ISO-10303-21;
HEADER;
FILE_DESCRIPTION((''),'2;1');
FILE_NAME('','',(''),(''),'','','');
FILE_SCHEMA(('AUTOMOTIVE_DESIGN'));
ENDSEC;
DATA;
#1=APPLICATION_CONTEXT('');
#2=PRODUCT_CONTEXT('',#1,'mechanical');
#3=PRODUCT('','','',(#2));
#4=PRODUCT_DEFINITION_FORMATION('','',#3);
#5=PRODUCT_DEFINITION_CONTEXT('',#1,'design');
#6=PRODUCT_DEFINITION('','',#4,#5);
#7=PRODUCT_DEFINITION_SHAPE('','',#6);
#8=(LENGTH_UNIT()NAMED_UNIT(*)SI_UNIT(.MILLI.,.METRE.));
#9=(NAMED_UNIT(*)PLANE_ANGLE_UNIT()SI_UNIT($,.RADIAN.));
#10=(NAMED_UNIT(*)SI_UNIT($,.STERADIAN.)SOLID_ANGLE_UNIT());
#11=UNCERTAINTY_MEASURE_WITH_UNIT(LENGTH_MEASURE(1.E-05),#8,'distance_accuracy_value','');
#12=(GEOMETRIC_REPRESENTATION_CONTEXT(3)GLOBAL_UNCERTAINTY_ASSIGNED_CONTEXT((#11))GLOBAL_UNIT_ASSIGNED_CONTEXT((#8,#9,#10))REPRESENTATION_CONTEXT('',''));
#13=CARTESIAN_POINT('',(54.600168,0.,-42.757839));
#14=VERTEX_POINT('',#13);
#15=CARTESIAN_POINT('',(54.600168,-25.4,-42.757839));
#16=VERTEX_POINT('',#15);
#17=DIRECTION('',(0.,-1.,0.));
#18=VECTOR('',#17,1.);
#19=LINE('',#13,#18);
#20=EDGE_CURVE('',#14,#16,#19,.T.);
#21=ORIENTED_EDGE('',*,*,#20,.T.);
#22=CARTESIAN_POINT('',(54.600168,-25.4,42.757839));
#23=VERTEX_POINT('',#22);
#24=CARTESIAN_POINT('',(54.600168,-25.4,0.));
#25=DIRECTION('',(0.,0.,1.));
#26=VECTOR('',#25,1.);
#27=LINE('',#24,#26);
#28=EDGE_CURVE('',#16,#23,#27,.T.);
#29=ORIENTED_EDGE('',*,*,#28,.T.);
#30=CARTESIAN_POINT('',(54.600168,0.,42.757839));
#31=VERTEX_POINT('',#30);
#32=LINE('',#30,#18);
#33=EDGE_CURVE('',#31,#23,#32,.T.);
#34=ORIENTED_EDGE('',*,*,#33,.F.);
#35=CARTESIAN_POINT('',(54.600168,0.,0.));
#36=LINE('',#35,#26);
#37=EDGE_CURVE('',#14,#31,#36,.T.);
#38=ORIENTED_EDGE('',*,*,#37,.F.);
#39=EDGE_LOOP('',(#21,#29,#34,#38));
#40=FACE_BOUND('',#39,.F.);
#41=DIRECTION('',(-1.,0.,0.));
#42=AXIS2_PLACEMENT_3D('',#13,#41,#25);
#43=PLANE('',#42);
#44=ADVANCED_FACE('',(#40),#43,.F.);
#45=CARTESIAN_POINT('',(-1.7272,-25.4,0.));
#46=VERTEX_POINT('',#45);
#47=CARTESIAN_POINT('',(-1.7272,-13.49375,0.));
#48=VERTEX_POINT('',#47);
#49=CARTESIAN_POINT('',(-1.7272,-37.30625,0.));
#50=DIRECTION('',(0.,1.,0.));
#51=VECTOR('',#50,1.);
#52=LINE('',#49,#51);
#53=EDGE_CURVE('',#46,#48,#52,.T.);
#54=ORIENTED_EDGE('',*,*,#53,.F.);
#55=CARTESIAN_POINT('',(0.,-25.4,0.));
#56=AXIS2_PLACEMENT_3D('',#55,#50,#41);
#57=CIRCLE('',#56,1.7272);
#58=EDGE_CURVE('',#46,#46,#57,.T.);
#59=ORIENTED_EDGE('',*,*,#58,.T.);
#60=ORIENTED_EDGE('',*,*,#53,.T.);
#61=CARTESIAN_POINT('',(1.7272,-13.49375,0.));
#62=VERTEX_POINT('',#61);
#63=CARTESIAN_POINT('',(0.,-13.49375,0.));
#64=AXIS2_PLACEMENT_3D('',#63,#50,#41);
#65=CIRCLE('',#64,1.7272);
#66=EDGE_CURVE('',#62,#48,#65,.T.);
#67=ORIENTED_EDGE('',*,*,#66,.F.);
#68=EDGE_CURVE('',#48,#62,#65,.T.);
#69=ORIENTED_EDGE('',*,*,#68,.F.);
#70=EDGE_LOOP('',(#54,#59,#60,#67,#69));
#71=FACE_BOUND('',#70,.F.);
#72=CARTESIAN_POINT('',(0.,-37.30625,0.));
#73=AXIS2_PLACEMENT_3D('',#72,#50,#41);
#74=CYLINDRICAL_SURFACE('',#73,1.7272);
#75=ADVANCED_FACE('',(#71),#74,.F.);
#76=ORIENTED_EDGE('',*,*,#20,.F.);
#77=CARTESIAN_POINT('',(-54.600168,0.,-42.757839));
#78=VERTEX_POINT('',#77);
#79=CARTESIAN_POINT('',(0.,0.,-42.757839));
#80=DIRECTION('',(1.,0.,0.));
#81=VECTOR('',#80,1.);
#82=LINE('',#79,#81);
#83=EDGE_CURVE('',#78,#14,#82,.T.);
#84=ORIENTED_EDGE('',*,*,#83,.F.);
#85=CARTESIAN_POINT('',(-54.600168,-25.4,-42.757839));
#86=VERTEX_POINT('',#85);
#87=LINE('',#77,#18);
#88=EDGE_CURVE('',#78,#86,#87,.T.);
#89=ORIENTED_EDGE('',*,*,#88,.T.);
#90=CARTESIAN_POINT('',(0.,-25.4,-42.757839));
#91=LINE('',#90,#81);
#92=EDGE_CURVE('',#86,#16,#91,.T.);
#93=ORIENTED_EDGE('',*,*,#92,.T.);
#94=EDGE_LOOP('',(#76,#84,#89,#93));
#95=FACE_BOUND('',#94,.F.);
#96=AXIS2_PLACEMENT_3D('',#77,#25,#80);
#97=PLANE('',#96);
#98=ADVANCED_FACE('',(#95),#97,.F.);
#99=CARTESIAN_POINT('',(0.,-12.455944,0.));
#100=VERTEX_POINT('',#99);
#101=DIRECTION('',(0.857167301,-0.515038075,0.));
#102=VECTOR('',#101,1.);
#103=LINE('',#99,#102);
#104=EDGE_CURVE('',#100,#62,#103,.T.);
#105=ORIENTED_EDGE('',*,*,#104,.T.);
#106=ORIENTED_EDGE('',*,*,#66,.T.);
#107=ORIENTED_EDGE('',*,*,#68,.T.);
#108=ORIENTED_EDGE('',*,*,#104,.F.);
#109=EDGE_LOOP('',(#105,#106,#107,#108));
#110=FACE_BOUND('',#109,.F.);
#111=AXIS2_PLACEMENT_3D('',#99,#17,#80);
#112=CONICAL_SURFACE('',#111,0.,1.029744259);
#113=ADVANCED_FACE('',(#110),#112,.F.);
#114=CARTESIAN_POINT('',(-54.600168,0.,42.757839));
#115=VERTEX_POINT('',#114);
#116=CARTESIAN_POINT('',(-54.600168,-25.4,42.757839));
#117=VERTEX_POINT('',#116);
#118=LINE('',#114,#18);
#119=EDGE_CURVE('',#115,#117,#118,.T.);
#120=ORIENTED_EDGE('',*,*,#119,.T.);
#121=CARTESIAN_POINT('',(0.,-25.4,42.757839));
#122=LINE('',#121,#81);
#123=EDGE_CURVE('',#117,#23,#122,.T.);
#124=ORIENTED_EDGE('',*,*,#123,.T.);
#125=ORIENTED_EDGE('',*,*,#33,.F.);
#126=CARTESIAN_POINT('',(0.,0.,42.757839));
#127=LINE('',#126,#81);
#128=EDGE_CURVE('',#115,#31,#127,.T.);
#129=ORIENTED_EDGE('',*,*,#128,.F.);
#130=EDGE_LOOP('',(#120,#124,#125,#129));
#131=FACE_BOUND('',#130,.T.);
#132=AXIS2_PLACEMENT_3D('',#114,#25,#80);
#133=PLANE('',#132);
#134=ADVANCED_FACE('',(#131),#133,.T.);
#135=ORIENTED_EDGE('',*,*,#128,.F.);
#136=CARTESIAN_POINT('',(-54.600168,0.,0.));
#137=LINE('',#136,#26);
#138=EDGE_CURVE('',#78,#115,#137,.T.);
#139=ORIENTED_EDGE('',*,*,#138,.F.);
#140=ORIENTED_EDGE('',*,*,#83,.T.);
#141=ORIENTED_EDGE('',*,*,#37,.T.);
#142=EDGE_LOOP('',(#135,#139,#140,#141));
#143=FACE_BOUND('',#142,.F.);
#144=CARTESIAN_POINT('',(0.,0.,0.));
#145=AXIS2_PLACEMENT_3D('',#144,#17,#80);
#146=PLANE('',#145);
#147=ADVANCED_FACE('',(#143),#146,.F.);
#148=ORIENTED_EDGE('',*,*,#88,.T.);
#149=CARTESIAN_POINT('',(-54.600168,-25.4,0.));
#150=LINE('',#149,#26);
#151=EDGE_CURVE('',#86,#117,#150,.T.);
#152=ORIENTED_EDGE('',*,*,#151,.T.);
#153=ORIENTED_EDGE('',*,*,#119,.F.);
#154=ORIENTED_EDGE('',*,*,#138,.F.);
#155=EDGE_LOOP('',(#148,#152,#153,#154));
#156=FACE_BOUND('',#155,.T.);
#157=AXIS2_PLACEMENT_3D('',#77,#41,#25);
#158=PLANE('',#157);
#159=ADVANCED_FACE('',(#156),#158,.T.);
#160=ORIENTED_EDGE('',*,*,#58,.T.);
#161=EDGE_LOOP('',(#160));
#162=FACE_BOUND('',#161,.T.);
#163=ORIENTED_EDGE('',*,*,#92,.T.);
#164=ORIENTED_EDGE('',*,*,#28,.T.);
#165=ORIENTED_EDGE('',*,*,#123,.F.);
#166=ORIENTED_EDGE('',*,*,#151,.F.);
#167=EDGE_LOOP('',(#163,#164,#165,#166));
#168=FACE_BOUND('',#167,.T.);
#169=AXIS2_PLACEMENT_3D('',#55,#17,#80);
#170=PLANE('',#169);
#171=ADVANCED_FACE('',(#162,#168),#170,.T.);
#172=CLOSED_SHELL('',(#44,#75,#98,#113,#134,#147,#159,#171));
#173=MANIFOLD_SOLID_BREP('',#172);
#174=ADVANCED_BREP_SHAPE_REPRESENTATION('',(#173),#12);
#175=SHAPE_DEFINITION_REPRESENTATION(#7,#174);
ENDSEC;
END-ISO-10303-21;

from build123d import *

# Parameters (mm, degrees)
F0_W     = 109.2003360391
F0_H     = 85.5156779289
F1_DEPTH = 25.4
F3_D     = 3.4544
F3_DEPTH = 11.90625
F3_TIP   = 1.0378064612


with BuildPart() as f1:
    # F0 (on Front) → F1 (new body)
    with BuildSketch(Plane.XZ):
        Rectangle(F0_W, F0_H)
    extrude(amount=F1_DEPTH)

    # F3
    with Locations(Plane.XZ.offset(25.4)):
        with Locations((0, 0)):
            Hole(F3_D / 2, depth=F3_DEPTH)
            with Locations((0, 0, -(F3_DEPTH + F3_TIP / 2))):  # 118° drill point
                Cone(0, F3_D / 2, F3_TIP, mode=Mode.SUBTRACT)


solid = f1.part
